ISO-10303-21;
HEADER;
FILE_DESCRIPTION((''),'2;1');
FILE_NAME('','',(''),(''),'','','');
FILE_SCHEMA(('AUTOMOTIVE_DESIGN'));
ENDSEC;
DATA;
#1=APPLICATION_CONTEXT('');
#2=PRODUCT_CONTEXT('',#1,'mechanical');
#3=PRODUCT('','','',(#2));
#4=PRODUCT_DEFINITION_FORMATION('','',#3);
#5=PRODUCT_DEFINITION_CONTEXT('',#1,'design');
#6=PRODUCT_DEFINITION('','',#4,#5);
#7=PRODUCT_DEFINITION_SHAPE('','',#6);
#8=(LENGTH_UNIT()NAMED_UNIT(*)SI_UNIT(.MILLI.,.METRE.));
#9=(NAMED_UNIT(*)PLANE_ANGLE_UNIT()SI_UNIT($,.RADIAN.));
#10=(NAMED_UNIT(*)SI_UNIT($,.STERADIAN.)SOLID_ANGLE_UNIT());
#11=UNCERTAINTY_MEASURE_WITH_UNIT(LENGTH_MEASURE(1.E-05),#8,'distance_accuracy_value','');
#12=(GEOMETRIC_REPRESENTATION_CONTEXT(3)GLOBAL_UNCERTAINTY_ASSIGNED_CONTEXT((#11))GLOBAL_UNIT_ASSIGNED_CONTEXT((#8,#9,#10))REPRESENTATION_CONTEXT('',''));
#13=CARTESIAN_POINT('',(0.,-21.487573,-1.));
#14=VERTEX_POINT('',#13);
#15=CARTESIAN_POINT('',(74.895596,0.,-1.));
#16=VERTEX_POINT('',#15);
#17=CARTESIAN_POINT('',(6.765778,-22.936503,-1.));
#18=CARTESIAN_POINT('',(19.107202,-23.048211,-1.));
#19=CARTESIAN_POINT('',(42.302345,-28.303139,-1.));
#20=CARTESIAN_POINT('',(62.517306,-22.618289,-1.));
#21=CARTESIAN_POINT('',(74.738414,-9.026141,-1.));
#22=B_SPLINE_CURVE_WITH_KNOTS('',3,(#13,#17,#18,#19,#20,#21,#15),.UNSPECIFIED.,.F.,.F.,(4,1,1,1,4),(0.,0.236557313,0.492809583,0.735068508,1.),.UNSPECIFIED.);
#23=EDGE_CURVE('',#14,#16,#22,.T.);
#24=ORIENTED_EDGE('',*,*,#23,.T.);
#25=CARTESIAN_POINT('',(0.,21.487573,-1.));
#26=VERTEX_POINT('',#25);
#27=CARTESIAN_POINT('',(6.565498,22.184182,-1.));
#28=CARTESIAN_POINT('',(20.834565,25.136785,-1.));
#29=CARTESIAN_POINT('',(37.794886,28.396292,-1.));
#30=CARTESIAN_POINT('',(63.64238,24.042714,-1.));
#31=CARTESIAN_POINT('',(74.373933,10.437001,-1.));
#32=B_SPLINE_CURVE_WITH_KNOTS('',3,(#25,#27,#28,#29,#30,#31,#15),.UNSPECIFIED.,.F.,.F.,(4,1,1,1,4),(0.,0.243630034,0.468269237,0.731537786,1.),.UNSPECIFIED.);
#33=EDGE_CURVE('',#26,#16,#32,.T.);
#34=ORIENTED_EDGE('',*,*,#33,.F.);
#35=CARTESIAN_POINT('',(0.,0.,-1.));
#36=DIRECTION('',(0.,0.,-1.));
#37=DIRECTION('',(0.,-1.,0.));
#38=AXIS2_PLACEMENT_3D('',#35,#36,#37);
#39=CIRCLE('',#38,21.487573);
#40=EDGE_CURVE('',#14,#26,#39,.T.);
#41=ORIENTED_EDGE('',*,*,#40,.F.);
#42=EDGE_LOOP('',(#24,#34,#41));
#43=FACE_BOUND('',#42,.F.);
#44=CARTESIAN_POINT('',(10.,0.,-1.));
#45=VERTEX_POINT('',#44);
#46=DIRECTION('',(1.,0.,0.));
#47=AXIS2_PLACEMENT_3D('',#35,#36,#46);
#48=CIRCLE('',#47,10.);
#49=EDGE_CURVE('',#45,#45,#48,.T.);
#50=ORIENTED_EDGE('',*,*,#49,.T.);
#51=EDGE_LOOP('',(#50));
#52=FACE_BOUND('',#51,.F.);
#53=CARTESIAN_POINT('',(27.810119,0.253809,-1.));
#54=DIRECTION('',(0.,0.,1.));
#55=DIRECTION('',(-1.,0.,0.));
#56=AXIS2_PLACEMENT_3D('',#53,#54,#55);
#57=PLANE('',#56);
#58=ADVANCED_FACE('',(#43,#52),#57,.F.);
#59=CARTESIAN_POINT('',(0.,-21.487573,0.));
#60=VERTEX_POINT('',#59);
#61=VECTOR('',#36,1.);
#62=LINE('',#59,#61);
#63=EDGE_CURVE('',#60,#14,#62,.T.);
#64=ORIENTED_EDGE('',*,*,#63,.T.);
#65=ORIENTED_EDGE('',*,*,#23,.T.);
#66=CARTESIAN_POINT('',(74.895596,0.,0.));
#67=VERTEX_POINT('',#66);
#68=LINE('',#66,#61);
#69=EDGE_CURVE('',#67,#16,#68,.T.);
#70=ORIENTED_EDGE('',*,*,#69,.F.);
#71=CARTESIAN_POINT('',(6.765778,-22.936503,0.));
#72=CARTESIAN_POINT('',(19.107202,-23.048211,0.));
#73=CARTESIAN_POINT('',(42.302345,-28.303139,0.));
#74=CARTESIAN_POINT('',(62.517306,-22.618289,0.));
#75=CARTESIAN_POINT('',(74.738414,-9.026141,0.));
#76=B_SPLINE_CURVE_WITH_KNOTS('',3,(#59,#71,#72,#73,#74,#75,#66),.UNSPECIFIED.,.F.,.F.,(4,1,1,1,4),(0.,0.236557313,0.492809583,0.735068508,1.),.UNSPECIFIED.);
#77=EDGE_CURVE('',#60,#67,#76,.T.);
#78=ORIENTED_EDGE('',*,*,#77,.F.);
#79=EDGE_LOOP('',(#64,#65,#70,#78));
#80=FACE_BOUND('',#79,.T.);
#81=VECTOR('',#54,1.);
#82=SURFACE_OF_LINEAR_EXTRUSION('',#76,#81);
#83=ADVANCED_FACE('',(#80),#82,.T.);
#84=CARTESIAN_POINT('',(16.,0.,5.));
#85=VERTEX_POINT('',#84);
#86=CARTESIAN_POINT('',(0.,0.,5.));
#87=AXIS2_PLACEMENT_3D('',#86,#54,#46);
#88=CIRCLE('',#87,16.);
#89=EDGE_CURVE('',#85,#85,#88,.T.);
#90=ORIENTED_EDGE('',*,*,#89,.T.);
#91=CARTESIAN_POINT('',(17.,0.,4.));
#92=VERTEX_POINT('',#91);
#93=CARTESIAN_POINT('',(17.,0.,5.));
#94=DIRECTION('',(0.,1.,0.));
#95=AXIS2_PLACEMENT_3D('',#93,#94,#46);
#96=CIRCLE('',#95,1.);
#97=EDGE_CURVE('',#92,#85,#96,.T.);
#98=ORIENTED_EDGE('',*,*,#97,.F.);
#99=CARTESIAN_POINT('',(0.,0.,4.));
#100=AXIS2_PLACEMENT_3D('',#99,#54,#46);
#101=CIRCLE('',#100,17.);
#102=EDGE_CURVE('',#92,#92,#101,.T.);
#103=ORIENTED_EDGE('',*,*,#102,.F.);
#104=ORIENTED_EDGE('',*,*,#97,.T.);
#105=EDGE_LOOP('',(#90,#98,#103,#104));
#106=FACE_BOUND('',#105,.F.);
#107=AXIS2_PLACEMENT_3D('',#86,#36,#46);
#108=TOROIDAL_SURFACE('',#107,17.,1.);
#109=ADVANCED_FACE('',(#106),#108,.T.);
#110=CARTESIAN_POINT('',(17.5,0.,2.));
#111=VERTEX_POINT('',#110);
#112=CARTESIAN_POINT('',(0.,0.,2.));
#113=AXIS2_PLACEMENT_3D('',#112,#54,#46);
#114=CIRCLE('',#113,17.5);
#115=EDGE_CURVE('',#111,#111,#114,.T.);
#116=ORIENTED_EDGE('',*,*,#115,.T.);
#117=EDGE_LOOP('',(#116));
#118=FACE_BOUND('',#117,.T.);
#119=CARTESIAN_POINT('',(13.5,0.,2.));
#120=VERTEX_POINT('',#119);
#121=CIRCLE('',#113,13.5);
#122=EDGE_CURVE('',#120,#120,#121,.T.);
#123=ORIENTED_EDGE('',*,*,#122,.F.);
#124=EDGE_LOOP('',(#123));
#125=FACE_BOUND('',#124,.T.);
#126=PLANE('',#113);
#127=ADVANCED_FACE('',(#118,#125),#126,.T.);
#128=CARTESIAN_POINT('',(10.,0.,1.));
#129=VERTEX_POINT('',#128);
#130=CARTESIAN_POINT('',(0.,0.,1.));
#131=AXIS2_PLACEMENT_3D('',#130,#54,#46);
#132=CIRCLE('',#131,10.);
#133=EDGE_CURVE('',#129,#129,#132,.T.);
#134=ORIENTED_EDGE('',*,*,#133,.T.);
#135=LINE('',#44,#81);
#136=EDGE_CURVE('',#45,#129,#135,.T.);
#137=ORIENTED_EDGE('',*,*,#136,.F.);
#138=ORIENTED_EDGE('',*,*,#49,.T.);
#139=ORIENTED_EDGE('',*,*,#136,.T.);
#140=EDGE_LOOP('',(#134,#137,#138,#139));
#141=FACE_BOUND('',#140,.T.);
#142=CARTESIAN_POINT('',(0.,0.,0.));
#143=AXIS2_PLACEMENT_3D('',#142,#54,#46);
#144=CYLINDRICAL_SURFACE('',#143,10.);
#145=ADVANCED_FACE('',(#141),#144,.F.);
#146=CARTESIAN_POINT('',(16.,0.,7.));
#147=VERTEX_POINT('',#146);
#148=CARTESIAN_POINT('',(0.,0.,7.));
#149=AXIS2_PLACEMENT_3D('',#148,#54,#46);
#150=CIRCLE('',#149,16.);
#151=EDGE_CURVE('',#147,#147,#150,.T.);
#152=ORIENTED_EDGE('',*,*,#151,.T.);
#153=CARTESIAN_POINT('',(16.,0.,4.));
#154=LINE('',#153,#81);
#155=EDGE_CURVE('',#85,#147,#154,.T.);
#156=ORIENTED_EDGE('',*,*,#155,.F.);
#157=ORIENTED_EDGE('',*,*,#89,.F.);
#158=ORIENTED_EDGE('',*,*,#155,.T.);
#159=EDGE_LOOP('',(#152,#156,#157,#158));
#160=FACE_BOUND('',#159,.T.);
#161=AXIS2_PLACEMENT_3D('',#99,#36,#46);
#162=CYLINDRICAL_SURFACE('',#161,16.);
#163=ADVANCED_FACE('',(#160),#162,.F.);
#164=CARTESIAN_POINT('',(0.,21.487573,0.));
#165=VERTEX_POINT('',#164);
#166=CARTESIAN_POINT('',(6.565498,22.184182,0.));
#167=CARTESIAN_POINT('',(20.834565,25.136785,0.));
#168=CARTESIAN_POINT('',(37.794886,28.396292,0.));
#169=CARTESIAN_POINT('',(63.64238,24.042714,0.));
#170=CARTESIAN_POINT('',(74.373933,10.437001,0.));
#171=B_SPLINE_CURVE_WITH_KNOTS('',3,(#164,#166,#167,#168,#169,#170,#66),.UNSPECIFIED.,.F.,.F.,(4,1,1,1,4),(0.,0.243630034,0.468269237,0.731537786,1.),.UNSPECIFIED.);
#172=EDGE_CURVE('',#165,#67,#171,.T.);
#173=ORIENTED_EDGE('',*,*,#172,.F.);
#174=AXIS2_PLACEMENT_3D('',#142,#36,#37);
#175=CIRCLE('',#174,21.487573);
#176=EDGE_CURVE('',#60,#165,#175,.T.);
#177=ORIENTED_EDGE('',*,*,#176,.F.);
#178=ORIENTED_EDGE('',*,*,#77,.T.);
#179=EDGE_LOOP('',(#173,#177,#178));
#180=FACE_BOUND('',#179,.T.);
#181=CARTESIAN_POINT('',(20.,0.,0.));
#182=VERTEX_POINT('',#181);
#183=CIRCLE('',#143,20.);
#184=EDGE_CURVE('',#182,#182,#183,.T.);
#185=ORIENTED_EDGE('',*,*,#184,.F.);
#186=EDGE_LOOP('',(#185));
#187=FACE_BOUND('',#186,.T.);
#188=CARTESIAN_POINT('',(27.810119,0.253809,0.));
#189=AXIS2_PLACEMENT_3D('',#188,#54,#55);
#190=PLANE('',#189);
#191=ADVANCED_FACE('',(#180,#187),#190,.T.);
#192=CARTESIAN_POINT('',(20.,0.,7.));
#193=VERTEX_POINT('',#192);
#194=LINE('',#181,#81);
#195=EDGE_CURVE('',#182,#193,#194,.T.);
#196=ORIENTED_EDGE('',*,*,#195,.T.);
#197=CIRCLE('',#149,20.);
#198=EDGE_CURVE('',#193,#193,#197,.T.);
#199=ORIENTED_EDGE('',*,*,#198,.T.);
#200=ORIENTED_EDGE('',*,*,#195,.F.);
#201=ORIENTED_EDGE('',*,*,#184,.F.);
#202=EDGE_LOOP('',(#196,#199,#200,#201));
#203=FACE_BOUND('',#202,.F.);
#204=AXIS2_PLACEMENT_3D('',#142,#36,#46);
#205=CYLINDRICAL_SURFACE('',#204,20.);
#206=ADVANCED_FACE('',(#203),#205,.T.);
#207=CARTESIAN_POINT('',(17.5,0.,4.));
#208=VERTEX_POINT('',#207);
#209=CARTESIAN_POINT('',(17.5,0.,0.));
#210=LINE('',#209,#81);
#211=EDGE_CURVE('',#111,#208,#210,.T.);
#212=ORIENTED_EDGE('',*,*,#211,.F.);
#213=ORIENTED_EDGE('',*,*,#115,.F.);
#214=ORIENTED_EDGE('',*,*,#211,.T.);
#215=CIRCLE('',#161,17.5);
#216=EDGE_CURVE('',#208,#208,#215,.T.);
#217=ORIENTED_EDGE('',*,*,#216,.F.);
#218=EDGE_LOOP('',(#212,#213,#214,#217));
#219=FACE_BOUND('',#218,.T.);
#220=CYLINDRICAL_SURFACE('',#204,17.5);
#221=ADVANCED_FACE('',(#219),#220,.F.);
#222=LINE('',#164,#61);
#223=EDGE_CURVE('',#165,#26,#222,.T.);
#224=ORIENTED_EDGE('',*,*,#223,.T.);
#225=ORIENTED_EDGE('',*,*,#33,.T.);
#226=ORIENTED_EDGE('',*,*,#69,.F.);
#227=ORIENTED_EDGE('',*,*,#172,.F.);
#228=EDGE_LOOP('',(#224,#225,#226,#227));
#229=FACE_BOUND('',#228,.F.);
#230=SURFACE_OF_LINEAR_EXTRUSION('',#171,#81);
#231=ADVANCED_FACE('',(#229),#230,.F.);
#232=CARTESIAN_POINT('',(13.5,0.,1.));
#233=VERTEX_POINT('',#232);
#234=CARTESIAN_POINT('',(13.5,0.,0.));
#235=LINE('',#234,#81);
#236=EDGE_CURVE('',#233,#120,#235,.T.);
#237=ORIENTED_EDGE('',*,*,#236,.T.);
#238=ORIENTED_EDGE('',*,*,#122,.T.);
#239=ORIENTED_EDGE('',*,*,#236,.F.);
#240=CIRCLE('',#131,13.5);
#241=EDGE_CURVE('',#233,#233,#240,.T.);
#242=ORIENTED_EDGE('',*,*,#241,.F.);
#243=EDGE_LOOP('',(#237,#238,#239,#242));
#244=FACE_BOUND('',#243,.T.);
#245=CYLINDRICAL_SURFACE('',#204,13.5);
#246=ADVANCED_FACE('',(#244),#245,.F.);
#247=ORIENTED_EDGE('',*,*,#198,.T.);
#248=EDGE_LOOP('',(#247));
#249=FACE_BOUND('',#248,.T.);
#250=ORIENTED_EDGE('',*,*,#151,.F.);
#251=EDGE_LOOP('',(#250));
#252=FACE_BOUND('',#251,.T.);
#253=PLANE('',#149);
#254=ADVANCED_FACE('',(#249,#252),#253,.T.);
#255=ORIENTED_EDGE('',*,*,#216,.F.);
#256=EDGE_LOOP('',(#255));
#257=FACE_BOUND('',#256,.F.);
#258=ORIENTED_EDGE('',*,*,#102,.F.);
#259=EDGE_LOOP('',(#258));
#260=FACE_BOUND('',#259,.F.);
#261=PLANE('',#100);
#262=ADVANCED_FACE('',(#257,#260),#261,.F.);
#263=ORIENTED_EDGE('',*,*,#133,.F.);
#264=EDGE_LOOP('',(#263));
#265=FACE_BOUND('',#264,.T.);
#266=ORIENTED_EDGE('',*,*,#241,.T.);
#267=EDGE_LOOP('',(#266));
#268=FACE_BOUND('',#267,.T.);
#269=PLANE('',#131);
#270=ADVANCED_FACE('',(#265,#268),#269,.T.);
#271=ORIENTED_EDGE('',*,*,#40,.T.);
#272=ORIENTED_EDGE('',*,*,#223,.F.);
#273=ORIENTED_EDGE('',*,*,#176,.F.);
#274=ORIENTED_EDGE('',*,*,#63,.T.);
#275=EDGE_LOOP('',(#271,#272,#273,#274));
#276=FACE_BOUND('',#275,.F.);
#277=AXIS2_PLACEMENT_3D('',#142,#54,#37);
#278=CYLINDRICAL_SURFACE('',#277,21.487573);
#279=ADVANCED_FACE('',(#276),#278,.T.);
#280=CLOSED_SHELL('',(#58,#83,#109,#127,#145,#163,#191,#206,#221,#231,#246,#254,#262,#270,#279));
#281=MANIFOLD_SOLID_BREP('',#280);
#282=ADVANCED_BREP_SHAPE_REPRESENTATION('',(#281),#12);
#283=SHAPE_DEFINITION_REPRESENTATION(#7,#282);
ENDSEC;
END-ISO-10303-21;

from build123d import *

# Parameters (mm, degrees)
F0_R     = 13.5
F0_R_2   = 10
F1_DEPTH = 1
F0_R_3   = 17.5
F2_DEPTH = 2
F0_R_4   = 20
F3_DEPTH = 7
F5_START = 4
F4_R     = 20
F4_R_2   = 16
F5_DEPTH = 3
F6_R     = 1
F7_R     = 10
F8_DEPTH = 1


with BuildPart() as f1:
    # F0 (on Top) → F1 (new body)
    with BuildSketch(Plane.XY):
        Circle(F0_R)
        Circle(F0_R_2, mode=Mode.SUBTRACT)
    extrude(amount=F1_DEPTH)

    # F0 (on Top) → F2 (join)
    with BuildSketch(Plane.XY):
        Circle(F0_R_3)
        Circle(F0_R, mode=Mode.SUBTRACT)
    extrude(amount=F2_DEPTH)

    # F0 (on Top) → F3 (join)
    with BuildSketch(Plane.XY):
        Circle(F0_R_4)
        Circle(F0_R_3, mode=Mode.SUBTRACT)
    extrude(amount=F3_DEPTH)

    # F4 (on Top) → F5 (join)
    with BuildSketch(Plane.XY.offset(F5_START)):
        Circle(F4_R)
        Circle(F4_R_2, mode=Mode.SUBTRACT)
    extrude(amount=F5_DEPTH)

    # F6
    f6_edges = [f1.edges().sort_by_distance(p)[0] for p in [
        (-16, 0, 4),
    ]]
    fillet(f6_edges, radius=F6_R)

    # F7 (on face) → F8 (join)
    with BuildSketch(Plane(origin=(0, 0, 0), x_dir=(1, 0, 0), z_dir=(0, 0, -1))):
        with BuildLine():
            add(Edge.make_bspline(
                [(0, 21.4875730586), (6.7657779426, 22.9365033035), (19.1072018799, 23.0482109616), (42.3023448655, 28.3031387355), (62.5173056226, 22.6182888102), (74.7384138035, 9.0261408273), (74.8955963135, 0)],
                knots=[0, 0, 0, 0, 0.2365573131, 0.4928095835, 0.735068508, 1, 1, 1, 1], degree=3))
            ThreePointArc((0, 21.4875730586), (-21.4875730586, 0), (0, -21.4875730586))
            add(Edge.make_bspline(
                [(0, -21.4875730586), (6.5654981556, -22.184182424), (20.8345654653, -25.1367847277), (37.794885628, -28.3962922072), (63.6423801672, -24.0427135063), (74.3739329381, -10.4370014279), (74.8955963135, 0)],
                knots=[0, 0, 0, 0, 0.2436300342, 0.4682692375, 0.7315377861, 1, 1, 1, 1], degree=3))
        make_face()
        Circle(F7_R, mode=Mode.SUBTRACT)
    extrude(amount=F8_DEPTH)


solid = f1.part
